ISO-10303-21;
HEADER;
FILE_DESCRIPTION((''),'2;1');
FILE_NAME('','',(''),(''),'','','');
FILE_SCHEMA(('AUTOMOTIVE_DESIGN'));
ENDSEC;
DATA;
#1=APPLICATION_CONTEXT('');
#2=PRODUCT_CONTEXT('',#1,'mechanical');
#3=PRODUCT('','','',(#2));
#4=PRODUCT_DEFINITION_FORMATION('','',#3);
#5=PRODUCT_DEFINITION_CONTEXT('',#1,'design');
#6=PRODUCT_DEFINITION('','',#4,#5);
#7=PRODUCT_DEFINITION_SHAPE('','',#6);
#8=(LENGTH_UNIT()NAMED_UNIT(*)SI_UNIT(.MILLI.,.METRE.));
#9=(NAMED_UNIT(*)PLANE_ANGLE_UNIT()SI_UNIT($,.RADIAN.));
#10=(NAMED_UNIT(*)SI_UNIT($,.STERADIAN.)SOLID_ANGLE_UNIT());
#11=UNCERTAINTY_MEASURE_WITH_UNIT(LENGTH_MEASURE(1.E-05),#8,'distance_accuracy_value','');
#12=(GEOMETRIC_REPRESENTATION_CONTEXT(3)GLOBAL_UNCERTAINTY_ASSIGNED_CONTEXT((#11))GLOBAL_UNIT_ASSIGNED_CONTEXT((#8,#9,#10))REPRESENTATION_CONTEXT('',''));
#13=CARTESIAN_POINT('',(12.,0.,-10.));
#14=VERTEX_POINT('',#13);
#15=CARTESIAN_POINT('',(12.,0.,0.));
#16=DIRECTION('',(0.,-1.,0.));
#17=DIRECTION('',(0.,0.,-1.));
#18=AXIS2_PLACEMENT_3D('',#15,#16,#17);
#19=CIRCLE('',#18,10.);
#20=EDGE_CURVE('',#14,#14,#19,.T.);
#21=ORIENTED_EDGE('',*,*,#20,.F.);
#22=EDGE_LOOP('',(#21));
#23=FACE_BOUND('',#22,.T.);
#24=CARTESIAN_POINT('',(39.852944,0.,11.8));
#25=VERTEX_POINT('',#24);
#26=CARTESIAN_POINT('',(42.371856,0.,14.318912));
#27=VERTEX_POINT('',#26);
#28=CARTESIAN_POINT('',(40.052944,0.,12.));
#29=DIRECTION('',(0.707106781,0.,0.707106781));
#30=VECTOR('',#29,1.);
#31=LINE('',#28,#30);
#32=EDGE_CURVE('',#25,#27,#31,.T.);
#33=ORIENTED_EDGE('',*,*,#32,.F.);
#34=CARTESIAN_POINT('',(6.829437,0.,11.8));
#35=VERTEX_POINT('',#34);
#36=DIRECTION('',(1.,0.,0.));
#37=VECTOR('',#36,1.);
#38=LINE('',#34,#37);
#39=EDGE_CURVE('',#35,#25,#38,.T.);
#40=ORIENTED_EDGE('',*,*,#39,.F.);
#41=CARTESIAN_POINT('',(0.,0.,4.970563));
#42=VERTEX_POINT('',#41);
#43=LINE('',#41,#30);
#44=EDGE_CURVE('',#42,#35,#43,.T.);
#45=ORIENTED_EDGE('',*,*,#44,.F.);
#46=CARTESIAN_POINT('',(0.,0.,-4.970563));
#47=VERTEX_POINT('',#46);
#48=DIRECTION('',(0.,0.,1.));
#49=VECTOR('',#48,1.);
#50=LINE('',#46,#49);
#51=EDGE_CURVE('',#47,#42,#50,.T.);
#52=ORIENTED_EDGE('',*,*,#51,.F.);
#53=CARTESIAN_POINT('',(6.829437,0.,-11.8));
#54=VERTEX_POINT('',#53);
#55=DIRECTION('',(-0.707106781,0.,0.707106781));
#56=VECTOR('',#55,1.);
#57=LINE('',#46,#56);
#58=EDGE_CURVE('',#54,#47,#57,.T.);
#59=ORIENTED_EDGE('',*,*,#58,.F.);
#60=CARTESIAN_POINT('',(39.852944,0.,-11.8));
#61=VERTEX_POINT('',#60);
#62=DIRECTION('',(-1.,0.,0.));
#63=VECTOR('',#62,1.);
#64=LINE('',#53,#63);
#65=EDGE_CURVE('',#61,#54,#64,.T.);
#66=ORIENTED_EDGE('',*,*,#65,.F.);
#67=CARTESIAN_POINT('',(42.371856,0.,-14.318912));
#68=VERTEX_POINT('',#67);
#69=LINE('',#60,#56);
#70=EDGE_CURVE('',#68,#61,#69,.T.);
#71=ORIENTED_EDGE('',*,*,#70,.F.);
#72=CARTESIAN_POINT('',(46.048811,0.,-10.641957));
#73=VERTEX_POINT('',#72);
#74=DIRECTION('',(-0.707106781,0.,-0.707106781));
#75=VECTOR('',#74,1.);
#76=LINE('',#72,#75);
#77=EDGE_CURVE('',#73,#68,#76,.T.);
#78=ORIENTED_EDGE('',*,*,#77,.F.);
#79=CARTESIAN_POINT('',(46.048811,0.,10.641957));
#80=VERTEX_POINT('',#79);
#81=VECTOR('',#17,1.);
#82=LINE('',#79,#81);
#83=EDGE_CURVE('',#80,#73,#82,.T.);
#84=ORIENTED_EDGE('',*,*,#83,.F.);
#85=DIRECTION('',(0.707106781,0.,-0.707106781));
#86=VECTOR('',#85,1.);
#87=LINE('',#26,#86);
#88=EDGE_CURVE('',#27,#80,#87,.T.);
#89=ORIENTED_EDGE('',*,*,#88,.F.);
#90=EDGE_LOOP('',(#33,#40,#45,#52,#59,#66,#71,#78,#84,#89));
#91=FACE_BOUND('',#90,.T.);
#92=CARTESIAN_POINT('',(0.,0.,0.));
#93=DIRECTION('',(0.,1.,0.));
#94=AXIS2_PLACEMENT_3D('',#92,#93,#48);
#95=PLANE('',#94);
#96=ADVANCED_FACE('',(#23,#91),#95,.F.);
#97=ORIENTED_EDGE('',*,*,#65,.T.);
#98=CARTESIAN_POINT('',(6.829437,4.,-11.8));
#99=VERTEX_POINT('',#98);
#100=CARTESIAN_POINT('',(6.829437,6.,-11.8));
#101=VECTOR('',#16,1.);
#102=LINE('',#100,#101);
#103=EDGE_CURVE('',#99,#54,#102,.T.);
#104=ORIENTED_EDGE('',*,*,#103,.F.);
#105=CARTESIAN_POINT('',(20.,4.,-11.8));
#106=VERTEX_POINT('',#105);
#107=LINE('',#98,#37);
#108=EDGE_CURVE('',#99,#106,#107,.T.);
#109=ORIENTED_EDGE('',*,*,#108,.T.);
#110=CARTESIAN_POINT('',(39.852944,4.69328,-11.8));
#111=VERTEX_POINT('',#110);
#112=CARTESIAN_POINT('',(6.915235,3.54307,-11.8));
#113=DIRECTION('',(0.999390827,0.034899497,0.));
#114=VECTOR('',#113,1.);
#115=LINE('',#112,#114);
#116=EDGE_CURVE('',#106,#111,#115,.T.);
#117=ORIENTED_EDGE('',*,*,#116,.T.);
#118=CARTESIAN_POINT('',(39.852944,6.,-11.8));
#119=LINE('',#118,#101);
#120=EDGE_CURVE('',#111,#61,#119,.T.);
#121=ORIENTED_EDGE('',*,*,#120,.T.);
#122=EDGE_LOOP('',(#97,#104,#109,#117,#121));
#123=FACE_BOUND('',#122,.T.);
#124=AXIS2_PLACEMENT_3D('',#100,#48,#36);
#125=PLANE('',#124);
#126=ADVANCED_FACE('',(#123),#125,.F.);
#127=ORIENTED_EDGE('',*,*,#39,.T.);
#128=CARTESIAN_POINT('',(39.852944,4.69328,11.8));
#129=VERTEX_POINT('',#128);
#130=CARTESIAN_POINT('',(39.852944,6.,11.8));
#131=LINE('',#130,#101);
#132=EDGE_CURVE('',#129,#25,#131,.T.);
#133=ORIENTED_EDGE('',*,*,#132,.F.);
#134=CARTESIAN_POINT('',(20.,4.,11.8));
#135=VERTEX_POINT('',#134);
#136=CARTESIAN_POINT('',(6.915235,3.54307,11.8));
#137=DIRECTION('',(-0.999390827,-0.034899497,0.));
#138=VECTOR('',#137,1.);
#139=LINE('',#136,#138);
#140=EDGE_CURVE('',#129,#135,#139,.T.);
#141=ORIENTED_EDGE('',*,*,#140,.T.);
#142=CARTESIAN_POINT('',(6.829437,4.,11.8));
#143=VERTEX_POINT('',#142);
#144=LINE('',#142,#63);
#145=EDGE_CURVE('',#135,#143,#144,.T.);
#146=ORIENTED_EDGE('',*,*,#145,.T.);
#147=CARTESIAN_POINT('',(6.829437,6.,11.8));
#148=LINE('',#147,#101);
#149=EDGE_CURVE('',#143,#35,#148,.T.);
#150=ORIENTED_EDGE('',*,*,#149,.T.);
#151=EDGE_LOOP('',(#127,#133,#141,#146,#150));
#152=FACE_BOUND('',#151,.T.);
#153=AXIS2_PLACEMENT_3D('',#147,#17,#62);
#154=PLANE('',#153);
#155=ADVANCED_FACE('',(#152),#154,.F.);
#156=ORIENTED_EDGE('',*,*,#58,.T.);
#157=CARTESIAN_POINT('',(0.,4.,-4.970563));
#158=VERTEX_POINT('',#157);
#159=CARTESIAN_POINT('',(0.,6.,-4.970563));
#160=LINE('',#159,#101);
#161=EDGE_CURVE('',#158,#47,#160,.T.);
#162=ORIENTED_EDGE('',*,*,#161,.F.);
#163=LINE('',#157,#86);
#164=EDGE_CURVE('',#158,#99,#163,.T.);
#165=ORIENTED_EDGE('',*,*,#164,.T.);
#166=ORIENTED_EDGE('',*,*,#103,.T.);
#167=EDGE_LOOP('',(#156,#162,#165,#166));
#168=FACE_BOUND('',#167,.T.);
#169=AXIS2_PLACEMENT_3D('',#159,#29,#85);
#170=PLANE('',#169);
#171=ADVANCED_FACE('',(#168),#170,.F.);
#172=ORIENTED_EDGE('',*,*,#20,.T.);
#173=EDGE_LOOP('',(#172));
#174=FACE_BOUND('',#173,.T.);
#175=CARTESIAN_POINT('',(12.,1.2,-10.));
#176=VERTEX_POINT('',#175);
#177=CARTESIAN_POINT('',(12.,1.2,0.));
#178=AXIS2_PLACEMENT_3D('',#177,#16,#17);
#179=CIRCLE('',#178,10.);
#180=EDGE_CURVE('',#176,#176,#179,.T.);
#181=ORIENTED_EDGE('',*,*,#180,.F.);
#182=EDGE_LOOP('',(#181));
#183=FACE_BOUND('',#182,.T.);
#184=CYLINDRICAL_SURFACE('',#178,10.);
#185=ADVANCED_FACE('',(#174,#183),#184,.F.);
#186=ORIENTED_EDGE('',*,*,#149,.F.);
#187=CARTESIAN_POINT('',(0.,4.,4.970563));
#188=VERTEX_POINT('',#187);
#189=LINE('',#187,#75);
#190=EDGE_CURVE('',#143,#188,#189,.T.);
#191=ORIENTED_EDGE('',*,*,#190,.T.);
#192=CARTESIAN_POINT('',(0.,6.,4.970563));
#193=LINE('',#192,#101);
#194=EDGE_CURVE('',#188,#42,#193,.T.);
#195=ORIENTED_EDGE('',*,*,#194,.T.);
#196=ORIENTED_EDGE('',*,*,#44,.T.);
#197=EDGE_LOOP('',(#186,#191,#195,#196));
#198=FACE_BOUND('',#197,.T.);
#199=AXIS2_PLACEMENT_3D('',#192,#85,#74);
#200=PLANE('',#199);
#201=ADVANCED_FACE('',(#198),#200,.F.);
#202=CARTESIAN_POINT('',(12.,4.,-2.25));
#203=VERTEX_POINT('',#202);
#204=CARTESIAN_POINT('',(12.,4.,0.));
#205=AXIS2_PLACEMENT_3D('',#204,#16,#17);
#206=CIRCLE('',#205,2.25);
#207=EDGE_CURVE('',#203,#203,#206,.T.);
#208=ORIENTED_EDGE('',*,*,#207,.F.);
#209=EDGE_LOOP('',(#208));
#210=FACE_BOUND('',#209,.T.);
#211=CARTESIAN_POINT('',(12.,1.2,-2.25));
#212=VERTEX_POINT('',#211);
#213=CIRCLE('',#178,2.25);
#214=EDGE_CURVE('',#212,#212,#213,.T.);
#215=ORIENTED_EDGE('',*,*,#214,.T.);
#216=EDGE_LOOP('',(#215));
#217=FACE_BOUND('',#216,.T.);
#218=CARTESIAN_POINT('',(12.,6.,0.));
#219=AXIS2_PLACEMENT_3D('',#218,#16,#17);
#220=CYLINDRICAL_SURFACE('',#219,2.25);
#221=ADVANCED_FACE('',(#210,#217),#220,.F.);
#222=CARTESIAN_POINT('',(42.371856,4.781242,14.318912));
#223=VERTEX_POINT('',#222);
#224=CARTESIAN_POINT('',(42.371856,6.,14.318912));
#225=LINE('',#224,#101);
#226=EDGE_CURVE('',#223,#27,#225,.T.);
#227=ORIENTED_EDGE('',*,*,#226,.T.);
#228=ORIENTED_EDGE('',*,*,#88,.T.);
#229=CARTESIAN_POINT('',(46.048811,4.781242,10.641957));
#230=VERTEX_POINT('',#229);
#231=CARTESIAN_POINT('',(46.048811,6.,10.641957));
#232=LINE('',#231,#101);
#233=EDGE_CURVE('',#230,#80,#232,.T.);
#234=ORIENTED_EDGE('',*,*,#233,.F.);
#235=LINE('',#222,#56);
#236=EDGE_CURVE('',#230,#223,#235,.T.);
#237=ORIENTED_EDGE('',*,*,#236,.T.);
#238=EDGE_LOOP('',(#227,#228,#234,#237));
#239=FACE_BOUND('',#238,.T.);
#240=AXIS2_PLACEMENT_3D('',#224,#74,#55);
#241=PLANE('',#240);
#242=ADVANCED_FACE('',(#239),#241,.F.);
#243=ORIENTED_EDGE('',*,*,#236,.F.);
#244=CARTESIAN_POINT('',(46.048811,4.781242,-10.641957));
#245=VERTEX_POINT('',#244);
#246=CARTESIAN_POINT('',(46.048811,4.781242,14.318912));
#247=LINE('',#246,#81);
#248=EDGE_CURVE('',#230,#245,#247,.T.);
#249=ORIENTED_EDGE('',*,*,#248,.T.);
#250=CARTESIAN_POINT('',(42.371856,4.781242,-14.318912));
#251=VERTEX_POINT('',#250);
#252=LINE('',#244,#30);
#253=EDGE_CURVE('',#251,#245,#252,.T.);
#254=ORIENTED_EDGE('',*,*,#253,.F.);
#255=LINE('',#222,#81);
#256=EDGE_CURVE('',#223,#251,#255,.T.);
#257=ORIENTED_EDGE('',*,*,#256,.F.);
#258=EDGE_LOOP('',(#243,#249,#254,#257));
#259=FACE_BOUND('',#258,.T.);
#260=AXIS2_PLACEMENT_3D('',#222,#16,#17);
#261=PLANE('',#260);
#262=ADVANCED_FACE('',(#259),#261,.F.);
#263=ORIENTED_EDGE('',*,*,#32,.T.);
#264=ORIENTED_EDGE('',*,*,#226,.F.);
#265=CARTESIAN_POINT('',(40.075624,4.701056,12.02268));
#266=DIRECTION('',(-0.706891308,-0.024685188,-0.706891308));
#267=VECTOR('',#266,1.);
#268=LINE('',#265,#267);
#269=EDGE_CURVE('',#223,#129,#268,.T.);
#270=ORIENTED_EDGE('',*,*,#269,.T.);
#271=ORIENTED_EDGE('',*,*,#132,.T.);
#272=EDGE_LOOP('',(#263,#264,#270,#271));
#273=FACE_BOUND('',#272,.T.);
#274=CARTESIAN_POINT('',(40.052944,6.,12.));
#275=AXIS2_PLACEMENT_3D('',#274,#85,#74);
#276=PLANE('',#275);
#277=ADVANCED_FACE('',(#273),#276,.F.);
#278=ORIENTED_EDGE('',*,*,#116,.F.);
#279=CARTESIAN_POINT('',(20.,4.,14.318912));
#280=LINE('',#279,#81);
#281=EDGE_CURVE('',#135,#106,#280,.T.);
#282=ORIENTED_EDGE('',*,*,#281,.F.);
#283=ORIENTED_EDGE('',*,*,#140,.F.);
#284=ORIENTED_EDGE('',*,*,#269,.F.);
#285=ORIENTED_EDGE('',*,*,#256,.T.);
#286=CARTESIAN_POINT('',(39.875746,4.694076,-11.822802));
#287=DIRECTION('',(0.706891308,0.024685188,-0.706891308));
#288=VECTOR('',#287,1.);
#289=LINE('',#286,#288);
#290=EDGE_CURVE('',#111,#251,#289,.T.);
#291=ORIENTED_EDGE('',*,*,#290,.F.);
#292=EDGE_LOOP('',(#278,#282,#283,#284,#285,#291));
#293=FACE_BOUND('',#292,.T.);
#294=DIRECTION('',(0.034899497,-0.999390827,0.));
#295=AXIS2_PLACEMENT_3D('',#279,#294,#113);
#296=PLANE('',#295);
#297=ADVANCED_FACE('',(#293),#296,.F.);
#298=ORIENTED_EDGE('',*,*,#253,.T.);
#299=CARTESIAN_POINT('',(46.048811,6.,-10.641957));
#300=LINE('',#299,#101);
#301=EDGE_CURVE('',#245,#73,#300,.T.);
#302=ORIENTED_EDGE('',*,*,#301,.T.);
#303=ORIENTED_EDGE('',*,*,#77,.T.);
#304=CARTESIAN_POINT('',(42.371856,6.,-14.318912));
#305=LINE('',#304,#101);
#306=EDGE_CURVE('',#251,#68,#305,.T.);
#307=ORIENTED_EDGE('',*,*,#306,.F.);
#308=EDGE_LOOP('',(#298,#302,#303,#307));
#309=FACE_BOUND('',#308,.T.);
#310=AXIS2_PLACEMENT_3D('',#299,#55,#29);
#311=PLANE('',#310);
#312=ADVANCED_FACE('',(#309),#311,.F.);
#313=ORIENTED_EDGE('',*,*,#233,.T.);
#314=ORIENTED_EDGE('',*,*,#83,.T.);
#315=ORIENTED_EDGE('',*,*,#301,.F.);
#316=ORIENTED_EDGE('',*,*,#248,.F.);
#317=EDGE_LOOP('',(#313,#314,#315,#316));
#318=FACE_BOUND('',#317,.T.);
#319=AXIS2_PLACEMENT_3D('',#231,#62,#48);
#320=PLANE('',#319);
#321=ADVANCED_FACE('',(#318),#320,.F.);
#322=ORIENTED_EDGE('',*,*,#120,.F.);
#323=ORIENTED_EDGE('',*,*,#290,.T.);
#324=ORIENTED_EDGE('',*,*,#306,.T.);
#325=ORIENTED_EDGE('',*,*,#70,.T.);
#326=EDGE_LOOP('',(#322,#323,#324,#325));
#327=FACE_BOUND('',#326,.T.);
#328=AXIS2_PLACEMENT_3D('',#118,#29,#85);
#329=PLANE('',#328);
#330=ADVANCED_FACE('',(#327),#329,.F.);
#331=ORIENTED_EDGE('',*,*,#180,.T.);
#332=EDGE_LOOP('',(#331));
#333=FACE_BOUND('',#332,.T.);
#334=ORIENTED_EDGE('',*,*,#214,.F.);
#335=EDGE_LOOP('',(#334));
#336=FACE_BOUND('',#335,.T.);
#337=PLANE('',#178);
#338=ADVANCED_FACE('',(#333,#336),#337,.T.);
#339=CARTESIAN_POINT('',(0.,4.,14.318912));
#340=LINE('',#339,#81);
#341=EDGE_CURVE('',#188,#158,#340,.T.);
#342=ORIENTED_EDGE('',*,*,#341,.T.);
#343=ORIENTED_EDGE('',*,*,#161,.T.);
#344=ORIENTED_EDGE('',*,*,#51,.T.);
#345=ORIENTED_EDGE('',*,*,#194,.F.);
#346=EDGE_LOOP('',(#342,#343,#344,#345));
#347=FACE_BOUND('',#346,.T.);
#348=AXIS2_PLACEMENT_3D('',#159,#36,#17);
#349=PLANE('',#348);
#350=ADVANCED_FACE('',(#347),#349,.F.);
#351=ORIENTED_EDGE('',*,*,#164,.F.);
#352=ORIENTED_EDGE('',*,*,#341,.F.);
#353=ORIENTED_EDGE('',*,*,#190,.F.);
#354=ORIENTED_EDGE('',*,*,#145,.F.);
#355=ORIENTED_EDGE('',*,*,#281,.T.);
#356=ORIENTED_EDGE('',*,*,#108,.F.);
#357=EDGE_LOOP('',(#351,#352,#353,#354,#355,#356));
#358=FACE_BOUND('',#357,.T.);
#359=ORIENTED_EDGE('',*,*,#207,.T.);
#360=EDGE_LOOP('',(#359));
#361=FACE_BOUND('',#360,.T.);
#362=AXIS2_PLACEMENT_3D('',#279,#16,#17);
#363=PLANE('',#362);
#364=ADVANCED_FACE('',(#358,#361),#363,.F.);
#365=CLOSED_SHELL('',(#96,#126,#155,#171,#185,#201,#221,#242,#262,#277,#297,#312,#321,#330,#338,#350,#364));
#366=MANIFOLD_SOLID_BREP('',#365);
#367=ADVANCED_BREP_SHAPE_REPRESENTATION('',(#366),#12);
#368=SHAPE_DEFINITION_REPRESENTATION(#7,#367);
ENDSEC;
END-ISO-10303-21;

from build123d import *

# Parameters (mm, degrees)
SKETCH1_R               = 2.25
BOSS_EXTRUDE1_DEPTH     = 6
SKETCH2_R               = 10
CUT_EXTRUDE1_DEPTH      = 1.2
CUT_EXTRUDE2_DEPTH      = 54.27936377
CUT_EXTRUDE2_DEPTH_BACK = 54.27936377


with BuildPart() as part:
    # Sketch1 → Boss-Extrude1 (new body)
    with BuildSketch(Plane(origin=(0, 0, 0), x_dir=(1, 0, 0), z_dir=(0, 1, 0))):
        Polygon((0, 4.970562748), (0, -4.970562748), (6.829437252, -11.8), (39.85294373, -11.8), (39.86294373, -11.81), (40.05294373, -12), (42.371856048, -14.318912318), (46.04881131, -10.641957056), (46.04881131, 10.641957056), (42.371856048, 14.318912318), (40.05294373, 12), (39.86294373, 11.81), (39.85294373, 11.8), (6.829437252, 11.8), align=None)
        with Locations(Location((12, 0, 0), (0, 0, 270))):
            Circle(SKETCH1_R, mode=Mode.SUBTRACT)
    extrude(amount=BOSS_EXTRUDE1_DEPTH)

    # Sketch2 → Cut-Extrude1 (cut)
    with BuildSketch(Plane.XZ):
        with Locations(Location((12, 0, 0), (0, 0, 270))):
            Circle(SKETCH2_R)
    extrude(amount=-CUT_EXTRUDE1_DEPTH, mode=Mode.SUBTRACT)

    # Sketch3 → Cut-Extrude2 (cut, two sides: drawn at the far end of the back side and taken through both)
    with BuildSketch(Plane(origin=(0, 0, -11.8), x_dir=(-1, 0, 0), z_dir=(0, 0, -1)).offset(-CUT_EXTRUDE2_DEPTH_BACK)):
        Polygon((-46.04881131, 6), (0, 6), (0, 4), (-20, 4), (-42.371856048, 4.781242428), (-46.04881131, 4.781242428), align=None)
    extrude(amount=CUT_EXTRUDE2_DEPTH + CUT_EXTRUDE2_DEPTH_BACK, mode=Mode.SUBTRACT)


solid = part.part
